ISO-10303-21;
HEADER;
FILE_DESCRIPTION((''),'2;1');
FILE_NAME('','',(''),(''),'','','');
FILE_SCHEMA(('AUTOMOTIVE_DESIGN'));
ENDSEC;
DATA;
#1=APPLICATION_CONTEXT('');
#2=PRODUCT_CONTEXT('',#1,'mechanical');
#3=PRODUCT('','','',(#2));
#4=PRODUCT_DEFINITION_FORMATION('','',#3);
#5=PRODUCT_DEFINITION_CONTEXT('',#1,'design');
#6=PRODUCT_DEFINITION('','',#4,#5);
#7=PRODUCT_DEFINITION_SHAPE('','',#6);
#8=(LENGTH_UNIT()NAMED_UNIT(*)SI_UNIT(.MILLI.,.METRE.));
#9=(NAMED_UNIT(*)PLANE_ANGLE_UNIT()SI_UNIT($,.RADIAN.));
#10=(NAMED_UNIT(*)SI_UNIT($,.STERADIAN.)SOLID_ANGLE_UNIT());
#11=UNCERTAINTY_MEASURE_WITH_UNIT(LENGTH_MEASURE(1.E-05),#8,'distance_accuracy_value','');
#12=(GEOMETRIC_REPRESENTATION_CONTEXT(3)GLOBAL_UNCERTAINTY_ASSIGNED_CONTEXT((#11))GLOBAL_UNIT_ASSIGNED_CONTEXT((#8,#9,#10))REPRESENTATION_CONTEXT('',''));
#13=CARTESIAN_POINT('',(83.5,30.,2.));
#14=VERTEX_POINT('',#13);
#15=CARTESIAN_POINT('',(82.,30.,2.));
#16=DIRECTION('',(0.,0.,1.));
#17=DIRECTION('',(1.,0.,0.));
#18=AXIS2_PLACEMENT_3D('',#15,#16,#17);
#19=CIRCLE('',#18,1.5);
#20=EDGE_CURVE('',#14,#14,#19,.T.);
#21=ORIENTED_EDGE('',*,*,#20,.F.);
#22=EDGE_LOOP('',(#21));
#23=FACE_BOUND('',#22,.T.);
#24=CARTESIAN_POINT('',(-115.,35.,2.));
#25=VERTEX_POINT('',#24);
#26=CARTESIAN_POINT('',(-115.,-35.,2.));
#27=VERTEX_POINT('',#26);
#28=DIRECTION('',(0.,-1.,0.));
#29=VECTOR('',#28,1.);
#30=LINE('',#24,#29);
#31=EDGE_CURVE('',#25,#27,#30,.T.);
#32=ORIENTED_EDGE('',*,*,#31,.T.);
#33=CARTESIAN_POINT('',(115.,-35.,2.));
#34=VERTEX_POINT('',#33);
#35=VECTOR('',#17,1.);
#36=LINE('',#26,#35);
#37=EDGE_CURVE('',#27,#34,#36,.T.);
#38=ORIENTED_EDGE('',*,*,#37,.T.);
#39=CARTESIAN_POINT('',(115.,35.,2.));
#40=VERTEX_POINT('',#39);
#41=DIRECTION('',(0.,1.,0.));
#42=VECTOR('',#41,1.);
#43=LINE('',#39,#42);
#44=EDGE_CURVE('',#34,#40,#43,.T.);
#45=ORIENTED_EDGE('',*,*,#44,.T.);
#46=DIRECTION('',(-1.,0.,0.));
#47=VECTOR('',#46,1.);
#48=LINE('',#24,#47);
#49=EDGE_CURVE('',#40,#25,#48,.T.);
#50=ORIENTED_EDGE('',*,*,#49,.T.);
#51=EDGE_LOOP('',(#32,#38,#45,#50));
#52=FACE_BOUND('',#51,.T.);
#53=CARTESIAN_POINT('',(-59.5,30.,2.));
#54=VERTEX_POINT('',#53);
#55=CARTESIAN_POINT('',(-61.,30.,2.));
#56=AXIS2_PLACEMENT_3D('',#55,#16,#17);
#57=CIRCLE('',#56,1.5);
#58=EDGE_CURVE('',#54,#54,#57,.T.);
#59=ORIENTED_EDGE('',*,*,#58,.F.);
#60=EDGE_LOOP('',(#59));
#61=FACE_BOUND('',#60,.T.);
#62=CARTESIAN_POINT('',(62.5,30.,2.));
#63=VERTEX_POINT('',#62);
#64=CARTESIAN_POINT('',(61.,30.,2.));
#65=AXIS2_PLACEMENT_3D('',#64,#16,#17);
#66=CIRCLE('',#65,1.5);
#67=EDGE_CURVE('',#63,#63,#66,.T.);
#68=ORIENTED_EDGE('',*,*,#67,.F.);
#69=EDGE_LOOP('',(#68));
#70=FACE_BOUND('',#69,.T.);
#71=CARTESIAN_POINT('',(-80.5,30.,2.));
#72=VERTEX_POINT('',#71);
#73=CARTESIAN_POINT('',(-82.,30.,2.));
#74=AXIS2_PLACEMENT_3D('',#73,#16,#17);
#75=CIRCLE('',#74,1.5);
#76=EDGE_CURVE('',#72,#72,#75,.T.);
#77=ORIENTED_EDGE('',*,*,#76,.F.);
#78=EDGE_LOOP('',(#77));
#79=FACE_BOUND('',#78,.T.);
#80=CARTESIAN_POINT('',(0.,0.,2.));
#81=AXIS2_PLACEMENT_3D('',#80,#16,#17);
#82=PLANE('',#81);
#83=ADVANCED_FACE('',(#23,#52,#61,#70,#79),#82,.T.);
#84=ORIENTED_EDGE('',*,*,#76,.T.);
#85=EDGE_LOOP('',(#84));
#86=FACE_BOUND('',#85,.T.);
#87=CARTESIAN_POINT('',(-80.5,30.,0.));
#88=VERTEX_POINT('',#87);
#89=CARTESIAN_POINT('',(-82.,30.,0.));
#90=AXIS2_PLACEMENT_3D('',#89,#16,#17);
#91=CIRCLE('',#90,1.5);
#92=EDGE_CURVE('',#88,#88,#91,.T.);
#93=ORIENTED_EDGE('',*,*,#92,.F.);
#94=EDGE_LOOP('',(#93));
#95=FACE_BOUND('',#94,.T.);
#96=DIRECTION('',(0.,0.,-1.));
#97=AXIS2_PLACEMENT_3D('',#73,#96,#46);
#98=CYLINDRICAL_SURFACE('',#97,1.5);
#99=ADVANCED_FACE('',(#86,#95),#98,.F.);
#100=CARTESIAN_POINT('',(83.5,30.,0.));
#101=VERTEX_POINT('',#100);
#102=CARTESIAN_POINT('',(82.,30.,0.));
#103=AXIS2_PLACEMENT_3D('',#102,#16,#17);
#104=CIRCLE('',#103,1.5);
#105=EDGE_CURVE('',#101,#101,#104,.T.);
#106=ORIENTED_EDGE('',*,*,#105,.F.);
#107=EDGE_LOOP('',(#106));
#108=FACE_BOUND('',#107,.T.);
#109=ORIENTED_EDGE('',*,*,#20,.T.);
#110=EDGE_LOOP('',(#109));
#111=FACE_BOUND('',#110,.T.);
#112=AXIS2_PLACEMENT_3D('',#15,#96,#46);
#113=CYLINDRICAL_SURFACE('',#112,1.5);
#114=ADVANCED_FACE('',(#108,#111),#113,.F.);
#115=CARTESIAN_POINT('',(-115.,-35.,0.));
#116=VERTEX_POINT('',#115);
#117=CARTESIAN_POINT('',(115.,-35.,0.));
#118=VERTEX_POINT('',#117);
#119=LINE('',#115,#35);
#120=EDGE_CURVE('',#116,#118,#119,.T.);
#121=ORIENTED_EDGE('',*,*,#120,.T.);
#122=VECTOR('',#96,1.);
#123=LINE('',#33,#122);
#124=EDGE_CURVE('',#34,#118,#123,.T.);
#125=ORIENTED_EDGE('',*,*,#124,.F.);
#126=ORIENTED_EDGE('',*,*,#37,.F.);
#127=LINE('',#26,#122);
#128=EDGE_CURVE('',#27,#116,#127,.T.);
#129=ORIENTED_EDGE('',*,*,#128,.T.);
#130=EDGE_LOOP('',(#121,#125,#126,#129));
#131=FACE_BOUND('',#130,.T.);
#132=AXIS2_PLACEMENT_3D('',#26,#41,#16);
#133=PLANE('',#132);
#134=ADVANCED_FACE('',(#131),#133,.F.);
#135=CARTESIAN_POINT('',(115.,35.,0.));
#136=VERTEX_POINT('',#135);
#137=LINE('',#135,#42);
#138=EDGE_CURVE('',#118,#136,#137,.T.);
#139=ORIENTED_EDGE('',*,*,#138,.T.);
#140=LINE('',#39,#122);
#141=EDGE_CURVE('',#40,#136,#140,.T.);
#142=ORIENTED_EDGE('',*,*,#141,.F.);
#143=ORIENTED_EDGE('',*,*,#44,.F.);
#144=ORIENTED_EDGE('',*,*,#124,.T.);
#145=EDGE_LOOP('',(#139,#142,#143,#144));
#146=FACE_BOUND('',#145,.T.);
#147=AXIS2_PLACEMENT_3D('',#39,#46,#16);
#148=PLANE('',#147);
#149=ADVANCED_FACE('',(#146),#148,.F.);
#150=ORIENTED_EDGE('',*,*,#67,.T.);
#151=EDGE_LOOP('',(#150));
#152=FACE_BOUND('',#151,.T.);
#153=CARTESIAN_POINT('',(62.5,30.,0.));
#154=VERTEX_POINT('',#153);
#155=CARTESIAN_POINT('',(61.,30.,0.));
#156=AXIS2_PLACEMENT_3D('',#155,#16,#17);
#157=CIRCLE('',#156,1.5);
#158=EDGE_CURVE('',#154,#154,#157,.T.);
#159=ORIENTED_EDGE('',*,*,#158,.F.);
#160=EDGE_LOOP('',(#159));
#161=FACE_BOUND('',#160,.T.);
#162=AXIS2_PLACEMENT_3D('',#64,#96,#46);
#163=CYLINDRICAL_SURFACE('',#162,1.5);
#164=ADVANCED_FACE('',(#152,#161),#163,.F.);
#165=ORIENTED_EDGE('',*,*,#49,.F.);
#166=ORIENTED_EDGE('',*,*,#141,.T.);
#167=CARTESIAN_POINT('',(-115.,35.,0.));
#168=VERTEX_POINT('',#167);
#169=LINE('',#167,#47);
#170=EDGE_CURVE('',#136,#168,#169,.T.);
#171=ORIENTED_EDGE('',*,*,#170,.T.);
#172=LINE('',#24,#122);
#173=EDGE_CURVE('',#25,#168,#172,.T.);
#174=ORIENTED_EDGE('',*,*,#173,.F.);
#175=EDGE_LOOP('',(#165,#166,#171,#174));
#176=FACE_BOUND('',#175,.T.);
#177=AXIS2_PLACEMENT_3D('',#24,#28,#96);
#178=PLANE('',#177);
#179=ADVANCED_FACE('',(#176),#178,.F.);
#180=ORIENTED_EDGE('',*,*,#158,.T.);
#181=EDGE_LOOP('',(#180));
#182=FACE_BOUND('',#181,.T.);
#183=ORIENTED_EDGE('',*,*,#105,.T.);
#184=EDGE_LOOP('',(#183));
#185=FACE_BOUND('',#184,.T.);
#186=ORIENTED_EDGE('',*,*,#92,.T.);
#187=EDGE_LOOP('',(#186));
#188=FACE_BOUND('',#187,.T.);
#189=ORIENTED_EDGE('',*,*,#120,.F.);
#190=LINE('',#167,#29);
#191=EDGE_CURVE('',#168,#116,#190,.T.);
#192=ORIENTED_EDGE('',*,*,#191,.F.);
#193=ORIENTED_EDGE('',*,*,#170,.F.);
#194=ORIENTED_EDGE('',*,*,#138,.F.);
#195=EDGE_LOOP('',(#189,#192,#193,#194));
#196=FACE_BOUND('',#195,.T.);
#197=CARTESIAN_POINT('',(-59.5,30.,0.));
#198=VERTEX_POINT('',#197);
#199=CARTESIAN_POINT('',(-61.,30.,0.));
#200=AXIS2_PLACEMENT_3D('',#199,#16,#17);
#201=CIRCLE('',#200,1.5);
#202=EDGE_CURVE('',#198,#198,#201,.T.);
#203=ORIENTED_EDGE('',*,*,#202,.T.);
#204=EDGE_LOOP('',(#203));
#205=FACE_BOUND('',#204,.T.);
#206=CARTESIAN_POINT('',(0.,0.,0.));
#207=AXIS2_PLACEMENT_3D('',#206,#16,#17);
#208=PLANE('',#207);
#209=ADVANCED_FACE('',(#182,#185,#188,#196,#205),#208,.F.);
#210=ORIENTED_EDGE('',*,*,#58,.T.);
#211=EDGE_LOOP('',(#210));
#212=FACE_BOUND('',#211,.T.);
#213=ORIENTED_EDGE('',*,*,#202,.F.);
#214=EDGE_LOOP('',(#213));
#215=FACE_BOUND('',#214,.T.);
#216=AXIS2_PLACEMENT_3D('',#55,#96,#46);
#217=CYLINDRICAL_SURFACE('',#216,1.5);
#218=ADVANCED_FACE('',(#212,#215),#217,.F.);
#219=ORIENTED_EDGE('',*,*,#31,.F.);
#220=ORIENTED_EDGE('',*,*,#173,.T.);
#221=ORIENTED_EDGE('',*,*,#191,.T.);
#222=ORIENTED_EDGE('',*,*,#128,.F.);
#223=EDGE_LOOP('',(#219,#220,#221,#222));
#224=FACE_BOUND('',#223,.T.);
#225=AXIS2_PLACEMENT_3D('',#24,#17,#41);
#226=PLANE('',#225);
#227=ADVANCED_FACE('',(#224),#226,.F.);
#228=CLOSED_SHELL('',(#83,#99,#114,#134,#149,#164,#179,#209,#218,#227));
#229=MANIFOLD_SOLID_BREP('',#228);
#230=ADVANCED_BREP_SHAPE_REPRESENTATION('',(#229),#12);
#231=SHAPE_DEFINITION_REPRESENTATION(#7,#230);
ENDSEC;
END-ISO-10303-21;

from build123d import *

# Parameters (mm, degrees)
ESQUISSE1_W        = 230
ESQUISSE1_H        = 70
ESQUISSE1_R        = 1.5
BOSS_EXTRU_1_DEPTH = 2


with BuildPart() as part:
    # Esquisse1 → Boss.-Extru.1 (new body)
    with BuildSketch(Plane.XY):
        Rectangle(ESQUISSE1_W, ESQUISSE1_H)
        with Locations((-82, 30)):
            Circle(ESQUISSE1_R, mode=Mode.SUBTRACT)
        with Locations((-61, 30)):
            Circle(ESQUISSE1_R, mode=Mode.SUBTRACT)
        with Locations((61, 30)):
            Circle(ESQUISSE1_R, mode=Mode.SUBTRACT)
        with Locations((82, 30)):
            Circle(ESQUISSE1_R, mode=Mode.SUBTRACT)
    extrude(amount=BOSS_EXTRU_1_DEPTH)


solid = part.part
